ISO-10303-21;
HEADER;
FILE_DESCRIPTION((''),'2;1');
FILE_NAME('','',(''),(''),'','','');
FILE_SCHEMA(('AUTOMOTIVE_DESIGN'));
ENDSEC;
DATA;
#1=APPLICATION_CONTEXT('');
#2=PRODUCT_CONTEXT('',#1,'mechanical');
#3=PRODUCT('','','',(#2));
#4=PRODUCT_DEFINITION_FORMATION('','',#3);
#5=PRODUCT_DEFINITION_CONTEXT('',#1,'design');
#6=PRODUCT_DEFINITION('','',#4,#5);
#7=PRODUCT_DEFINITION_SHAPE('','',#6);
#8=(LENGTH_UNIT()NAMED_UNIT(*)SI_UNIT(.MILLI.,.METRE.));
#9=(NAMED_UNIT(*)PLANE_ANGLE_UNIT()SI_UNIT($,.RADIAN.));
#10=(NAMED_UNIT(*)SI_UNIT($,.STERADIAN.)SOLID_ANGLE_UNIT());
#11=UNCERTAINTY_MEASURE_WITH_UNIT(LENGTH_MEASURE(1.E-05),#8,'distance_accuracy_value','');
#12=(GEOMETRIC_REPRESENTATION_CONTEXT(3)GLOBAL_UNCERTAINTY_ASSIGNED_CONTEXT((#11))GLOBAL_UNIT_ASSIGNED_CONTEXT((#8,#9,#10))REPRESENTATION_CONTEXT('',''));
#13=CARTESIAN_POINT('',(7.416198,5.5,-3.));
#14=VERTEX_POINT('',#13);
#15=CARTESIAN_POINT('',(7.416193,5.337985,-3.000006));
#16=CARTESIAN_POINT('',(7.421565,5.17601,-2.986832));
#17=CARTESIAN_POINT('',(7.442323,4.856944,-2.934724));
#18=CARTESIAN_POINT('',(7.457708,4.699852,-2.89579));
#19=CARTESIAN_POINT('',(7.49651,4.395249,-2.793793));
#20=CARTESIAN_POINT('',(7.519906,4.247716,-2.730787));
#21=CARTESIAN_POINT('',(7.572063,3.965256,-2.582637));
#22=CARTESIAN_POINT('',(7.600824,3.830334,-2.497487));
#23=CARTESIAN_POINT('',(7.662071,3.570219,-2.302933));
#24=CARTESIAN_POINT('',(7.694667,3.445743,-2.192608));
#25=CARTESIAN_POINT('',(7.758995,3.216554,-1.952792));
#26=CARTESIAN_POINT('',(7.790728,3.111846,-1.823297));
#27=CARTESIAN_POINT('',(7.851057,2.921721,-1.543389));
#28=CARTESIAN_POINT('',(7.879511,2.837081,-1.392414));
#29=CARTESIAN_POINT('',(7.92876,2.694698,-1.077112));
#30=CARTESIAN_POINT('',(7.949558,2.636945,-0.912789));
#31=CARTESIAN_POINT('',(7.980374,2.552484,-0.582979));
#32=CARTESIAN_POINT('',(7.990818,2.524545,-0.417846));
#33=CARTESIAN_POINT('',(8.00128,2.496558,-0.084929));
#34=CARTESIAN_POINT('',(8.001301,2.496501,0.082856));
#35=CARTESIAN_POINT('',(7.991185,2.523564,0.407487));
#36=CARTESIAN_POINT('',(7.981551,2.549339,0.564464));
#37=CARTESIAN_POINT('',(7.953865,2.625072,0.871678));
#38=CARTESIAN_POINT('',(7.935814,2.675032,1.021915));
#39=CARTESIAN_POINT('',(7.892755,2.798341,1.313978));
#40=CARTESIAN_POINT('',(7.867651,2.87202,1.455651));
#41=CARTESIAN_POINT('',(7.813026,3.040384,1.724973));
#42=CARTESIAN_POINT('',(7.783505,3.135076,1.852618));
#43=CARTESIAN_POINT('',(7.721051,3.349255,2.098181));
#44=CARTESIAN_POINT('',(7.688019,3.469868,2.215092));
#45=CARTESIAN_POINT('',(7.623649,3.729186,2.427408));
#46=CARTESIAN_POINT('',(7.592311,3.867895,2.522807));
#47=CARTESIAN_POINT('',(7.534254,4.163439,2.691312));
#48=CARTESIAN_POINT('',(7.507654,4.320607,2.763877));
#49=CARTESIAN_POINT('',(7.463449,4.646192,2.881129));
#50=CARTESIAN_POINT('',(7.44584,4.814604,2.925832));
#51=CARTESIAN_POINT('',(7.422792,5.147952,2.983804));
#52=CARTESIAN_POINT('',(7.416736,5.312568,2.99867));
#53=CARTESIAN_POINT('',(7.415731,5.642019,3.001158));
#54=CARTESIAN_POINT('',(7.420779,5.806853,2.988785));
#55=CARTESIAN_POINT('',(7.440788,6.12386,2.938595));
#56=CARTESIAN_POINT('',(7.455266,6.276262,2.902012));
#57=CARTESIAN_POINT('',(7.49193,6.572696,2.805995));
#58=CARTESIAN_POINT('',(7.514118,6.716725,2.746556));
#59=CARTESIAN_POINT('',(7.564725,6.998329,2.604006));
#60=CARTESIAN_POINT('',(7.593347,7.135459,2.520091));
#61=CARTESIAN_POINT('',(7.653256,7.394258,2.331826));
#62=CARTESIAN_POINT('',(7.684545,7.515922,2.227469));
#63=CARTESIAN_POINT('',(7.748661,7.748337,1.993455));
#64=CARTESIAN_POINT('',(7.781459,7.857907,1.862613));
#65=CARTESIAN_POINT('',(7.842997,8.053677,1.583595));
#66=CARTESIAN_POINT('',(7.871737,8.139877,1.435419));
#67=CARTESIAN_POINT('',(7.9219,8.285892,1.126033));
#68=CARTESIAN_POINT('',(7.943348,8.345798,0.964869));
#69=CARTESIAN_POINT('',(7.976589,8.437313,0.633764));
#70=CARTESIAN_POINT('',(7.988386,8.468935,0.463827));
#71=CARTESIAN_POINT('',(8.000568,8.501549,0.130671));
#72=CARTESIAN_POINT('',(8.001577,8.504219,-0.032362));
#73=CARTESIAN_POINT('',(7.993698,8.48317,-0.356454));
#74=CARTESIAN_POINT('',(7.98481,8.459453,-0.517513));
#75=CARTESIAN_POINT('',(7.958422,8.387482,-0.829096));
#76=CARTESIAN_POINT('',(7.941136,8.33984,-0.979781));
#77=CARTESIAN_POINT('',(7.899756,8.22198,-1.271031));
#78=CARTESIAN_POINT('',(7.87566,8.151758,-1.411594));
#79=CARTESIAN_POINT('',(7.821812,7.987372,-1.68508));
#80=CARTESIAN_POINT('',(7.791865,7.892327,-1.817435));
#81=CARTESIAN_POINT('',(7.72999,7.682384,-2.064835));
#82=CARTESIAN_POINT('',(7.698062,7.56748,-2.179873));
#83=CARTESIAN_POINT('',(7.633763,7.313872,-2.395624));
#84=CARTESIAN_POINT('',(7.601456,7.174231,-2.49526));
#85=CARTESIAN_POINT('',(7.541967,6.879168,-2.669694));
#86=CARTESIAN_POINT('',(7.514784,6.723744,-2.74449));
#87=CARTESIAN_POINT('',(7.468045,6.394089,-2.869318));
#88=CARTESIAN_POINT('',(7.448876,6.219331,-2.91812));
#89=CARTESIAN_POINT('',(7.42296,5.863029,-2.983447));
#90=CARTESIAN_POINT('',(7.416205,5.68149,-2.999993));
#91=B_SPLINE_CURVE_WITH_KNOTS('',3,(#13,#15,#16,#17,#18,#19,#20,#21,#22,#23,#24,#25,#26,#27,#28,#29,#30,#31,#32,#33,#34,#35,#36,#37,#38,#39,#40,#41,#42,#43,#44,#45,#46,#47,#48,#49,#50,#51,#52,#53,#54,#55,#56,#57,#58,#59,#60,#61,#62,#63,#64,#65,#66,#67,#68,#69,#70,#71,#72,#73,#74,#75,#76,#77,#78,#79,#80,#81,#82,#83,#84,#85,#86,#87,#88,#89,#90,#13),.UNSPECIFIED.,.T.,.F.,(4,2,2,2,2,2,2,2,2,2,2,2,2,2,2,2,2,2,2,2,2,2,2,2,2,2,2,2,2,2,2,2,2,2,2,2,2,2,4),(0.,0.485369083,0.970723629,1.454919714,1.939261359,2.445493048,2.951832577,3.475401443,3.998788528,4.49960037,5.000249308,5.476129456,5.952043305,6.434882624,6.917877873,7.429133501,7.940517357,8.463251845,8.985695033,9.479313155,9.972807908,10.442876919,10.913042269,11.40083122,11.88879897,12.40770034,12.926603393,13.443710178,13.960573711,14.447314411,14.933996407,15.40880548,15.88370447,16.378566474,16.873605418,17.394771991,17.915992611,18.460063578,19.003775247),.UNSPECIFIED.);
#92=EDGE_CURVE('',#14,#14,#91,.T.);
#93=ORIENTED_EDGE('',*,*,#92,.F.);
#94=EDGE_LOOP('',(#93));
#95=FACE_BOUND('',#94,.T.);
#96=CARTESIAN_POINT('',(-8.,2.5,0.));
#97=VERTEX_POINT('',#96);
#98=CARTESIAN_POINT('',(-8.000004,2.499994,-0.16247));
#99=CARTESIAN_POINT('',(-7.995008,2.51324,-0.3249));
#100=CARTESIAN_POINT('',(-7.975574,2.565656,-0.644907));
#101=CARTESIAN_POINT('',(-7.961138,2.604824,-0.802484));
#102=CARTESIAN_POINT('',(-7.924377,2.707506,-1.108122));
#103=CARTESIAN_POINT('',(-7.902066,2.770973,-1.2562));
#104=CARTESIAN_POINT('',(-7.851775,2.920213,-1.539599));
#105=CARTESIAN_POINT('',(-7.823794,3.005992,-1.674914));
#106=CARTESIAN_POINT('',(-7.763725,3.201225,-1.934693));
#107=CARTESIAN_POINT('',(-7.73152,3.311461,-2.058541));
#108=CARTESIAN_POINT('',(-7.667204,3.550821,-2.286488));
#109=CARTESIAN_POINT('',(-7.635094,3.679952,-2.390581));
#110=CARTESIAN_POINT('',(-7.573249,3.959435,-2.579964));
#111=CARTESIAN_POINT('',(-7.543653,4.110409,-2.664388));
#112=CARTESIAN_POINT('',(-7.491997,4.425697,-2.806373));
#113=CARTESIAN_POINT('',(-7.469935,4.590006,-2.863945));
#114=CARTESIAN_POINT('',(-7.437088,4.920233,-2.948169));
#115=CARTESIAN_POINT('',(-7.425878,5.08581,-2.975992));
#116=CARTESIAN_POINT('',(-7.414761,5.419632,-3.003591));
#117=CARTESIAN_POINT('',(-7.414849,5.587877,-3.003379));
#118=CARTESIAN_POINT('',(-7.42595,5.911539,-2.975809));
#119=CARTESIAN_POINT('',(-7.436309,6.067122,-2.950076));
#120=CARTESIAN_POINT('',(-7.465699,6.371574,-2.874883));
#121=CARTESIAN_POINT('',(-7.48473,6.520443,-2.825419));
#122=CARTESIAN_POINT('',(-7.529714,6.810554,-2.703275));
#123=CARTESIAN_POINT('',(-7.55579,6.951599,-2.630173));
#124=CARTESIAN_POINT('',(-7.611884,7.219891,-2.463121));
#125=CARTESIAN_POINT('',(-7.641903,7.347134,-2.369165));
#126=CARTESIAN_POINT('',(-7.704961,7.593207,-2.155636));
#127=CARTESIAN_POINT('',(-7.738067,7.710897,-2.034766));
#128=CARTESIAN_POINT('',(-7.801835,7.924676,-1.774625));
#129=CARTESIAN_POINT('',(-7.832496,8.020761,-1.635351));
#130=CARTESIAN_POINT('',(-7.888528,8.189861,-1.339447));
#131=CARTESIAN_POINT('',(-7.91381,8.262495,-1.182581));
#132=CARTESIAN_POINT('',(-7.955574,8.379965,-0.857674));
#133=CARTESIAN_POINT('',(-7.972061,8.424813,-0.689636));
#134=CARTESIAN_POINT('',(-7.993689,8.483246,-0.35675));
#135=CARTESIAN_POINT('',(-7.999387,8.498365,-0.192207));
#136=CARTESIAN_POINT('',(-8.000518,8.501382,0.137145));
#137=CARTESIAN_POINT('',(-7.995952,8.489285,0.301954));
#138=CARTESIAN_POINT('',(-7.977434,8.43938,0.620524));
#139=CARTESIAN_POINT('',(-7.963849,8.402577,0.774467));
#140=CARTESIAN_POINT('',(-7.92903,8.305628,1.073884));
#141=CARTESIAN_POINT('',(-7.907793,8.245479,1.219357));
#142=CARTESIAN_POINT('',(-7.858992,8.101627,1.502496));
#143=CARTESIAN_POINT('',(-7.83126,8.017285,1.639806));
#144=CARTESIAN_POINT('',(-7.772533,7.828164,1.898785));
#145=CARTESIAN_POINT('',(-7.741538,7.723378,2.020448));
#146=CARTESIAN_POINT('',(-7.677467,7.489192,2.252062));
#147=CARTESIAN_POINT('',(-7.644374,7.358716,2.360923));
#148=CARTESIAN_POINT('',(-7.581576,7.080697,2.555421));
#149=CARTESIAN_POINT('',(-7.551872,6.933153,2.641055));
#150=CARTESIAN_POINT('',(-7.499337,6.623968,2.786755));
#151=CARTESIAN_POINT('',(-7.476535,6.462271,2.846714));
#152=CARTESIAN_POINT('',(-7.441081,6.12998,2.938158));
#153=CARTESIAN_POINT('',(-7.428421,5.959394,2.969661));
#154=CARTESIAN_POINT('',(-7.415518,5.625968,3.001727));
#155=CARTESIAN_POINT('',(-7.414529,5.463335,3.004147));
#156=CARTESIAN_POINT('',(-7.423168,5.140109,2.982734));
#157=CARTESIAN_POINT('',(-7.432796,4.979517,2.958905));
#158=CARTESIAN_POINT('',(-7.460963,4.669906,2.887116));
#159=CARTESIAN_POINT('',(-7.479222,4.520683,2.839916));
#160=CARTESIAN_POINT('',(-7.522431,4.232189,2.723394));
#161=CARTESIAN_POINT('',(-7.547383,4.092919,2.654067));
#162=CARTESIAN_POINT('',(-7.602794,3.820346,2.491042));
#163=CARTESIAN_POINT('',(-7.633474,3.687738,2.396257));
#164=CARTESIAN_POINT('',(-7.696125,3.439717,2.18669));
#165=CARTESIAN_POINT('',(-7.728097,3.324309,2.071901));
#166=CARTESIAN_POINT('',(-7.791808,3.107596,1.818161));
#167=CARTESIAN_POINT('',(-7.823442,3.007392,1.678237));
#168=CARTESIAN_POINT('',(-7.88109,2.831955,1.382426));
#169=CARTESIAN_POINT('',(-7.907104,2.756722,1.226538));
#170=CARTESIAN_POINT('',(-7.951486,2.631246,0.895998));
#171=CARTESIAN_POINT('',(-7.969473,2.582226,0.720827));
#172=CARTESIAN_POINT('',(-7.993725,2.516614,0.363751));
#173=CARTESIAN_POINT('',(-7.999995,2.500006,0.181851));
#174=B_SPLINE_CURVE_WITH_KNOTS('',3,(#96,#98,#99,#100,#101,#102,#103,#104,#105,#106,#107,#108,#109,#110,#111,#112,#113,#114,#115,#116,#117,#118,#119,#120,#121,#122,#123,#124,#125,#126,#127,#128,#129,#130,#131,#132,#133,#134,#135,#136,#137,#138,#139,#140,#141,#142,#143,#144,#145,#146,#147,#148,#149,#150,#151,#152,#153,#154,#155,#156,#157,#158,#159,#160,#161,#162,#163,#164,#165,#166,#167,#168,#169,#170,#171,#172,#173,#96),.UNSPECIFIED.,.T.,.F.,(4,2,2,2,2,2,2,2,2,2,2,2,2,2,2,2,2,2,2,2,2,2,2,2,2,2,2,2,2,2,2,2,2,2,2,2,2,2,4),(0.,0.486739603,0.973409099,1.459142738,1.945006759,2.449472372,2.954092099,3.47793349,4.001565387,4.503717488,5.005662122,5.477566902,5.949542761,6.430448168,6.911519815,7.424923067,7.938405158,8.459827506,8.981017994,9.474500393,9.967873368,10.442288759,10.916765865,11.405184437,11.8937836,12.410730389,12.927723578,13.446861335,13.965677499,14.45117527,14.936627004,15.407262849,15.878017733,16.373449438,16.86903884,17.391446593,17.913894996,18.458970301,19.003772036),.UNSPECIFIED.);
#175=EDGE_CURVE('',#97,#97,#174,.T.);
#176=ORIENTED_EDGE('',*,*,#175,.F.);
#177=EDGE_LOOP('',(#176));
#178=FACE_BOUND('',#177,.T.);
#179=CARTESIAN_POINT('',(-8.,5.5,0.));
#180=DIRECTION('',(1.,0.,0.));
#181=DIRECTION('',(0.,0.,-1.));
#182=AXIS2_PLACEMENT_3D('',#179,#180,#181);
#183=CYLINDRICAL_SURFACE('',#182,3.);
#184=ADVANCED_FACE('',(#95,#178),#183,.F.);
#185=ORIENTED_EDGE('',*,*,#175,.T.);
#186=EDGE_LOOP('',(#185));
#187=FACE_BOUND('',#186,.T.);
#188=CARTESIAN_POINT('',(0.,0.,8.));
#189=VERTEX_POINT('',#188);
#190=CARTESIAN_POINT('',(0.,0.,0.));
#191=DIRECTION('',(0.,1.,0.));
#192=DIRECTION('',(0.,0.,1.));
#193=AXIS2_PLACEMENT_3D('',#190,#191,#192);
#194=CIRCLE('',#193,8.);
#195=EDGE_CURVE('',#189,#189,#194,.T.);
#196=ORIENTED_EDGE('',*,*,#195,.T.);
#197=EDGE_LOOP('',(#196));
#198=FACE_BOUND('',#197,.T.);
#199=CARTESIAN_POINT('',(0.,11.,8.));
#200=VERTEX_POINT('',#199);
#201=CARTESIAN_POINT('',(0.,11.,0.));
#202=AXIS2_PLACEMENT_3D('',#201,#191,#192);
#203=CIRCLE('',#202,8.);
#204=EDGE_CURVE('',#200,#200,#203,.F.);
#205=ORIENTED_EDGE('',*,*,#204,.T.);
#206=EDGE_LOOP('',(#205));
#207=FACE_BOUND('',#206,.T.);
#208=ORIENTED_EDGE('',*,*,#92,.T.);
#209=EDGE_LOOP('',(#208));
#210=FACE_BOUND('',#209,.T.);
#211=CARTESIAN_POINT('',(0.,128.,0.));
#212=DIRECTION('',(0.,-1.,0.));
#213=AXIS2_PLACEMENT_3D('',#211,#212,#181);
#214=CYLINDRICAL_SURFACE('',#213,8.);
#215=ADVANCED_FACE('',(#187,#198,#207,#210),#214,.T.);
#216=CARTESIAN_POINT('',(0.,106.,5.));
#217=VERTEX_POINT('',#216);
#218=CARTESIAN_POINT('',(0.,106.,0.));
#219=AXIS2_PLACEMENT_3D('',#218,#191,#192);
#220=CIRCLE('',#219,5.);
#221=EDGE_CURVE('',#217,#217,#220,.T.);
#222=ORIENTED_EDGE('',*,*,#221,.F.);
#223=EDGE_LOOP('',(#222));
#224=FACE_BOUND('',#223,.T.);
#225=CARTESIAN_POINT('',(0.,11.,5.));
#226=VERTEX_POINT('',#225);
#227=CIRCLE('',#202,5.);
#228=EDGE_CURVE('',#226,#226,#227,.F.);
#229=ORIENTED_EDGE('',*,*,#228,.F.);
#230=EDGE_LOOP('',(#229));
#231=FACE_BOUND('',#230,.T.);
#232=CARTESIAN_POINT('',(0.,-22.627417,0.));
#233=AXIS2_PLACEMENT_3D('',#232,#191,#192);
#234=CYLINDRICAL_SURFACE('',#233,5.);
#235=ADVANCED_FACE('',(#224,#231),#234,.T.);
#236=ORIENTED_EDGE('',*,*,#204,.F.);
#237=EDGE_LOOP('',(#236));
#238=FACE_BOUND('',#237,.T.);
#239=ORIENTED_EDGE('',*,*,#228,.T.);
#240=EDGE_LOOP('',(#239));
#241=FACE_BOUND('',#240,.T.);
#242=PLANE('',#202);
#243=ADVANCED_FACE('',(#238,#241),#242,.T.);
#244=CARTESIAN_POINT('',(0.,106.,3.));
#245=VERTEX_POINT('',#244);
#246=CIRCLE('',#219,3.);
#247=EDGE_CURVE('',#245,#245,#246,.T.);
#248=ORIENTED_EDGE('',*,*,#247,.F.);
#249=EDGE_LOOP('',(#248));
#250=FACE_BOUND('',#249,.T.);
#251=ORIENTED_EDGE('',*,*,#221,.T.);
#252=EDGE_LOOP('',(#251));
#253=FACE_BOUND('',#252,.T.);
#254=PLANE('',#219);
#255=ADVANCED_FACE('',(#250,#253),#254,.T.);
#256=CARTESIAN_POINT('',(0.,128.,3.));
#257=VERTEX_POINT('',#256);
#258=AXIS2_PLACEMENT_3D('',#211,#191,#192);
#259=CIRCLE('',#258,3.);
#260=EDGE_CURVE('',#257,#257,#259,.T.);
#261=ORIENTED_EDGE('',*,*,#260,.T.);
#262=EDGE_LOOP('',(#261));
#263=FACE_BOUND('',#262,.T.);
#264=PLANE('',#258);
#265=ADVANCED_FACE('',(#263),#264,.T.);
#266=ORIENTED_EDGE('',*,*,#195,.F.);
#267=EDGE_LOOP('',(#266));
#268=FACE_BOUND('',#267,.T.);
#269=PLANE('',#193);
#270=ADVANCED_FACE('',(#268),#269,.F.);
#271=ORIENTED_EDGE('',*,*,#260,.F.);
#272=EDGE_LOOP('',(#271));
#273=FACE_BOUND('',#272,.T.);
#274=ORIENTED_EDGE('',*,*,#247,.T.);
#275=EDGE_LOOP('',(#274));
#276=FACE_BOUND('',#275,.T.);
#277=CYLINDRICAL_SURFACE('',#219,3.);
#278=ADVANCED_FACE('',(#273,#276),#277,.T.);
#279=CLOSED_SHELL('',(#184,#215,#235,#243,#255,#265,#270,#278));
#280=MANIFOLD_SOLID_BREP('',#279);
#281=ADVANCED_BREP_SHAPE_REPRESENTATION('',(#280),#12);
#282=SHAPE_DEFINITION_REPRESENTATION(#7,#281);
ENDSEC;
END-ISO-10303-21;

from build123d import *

# Parameters (mm, degrees)
SCHIZZO1_R                    = 8
ESTRUSIONE_ESTRUSIONE1_DEPTH  = 128
TAGLIO_ESTRUSIONE1_START      = -22
SCHIZZO2_R                    = 8
SCHIZZO2_R_2                  = 3
TAGLIO_ESTRUSIONE1_DEPTH      = 22
TAGLIO_ESTRUSIONE2_START      = -95
SCHIZZO5_R                    = 8
SCHIZZO5_R_2                  = 5
TAGLIO_ESTRUSIONE2_DEPTH      = 95
TAGLIO_ESTRUSIONE3_DEPTH      = 129.499027234
TAGLIO_ESTRUSIONE3_DEPTH_BACK = 129.499027234
SCHIZZO9_R                    = 3


with BuildPart() as part:
    # Schizzo1 → Estrusione-Estrusione1 (new body)
    with BuildSketch(Plane(origin=(0, 0, 0), x_dir=(1, 0, 0), z_dir=(0, 1, 0))):
        with Locations(Location((0, 0, 0), (0, 0, 270))):
            Circle(SCHIZZO1_R)
    extrude(amount=ESTRUSIONE_ESTRUSIONE1_DEPTH)

    # Schizzo2 → Taglio-Estrusione1 (cut)
    with BuildSketch(Plane(origin=(0, 128, 0), x_dir=(1, 0, 0), z_dir=(0, 1, 0)).offset(TAGLIO_ESTRUSIONE1_START)):
        with Locations(Location((0, 0, 0), (0, 0, 270))):
            Circle(SCHIZZO2_R)
        with Locations(Location((0, 0, 0), (0, 0, 270))):
            Circle(SCHIZZO2_R_2, mode=Mode.SUBTRACT)
    extrude(amount=TAGLIO_ESTRUSIONE1_DEPTH, mode=Mode.SUBTRACT)

    # Schizzo5 → Taglio-Estrusione2 (cut)
    with BuildSketch(Plane(origin=(0, 106, 0), x_dir=(1, 0, 0), z_dir=(0, 1, 0)).offset(TAGLIO_ESTRUSIONE2_START)):
        with Locations(Location((0, 0, 0), (0, 0, 270))):
            Circle(SCHIZZO5_R)
        with Locations(Location((0, 0, 0), (0, 0, 270))):
            Circle(SCHIZZO5_R_2, mode=Mode.SUBTRACT)
    extrude(amount=TAGLIO_ESTRUSIONE2_DEPTH, mode=Mode.SUBTRACT)

    # Schizzo9 → Taglio-Estrusione3 (cut, two sides: drawn at the far end of the back side and taken through both)
    with BuildSketch(Plane(origin=(0, 0, 0), x_dir=(0, 0, -1), z_dir=(1, 0, 0)).offset(-TAGLIO_ESTRUSIONE3_DEPTH_BACK)):
        with Locations((0, 5.5)):
            Circle(SCHIZZO9_R)
    extrude(amount=TAGLIO_ESTRUSIONE3_DEPTH + TAGLIO_ESTRUSIONE3_DEPTH_BACK, mode=Mode.SUBTRACT)


solid = part.part
